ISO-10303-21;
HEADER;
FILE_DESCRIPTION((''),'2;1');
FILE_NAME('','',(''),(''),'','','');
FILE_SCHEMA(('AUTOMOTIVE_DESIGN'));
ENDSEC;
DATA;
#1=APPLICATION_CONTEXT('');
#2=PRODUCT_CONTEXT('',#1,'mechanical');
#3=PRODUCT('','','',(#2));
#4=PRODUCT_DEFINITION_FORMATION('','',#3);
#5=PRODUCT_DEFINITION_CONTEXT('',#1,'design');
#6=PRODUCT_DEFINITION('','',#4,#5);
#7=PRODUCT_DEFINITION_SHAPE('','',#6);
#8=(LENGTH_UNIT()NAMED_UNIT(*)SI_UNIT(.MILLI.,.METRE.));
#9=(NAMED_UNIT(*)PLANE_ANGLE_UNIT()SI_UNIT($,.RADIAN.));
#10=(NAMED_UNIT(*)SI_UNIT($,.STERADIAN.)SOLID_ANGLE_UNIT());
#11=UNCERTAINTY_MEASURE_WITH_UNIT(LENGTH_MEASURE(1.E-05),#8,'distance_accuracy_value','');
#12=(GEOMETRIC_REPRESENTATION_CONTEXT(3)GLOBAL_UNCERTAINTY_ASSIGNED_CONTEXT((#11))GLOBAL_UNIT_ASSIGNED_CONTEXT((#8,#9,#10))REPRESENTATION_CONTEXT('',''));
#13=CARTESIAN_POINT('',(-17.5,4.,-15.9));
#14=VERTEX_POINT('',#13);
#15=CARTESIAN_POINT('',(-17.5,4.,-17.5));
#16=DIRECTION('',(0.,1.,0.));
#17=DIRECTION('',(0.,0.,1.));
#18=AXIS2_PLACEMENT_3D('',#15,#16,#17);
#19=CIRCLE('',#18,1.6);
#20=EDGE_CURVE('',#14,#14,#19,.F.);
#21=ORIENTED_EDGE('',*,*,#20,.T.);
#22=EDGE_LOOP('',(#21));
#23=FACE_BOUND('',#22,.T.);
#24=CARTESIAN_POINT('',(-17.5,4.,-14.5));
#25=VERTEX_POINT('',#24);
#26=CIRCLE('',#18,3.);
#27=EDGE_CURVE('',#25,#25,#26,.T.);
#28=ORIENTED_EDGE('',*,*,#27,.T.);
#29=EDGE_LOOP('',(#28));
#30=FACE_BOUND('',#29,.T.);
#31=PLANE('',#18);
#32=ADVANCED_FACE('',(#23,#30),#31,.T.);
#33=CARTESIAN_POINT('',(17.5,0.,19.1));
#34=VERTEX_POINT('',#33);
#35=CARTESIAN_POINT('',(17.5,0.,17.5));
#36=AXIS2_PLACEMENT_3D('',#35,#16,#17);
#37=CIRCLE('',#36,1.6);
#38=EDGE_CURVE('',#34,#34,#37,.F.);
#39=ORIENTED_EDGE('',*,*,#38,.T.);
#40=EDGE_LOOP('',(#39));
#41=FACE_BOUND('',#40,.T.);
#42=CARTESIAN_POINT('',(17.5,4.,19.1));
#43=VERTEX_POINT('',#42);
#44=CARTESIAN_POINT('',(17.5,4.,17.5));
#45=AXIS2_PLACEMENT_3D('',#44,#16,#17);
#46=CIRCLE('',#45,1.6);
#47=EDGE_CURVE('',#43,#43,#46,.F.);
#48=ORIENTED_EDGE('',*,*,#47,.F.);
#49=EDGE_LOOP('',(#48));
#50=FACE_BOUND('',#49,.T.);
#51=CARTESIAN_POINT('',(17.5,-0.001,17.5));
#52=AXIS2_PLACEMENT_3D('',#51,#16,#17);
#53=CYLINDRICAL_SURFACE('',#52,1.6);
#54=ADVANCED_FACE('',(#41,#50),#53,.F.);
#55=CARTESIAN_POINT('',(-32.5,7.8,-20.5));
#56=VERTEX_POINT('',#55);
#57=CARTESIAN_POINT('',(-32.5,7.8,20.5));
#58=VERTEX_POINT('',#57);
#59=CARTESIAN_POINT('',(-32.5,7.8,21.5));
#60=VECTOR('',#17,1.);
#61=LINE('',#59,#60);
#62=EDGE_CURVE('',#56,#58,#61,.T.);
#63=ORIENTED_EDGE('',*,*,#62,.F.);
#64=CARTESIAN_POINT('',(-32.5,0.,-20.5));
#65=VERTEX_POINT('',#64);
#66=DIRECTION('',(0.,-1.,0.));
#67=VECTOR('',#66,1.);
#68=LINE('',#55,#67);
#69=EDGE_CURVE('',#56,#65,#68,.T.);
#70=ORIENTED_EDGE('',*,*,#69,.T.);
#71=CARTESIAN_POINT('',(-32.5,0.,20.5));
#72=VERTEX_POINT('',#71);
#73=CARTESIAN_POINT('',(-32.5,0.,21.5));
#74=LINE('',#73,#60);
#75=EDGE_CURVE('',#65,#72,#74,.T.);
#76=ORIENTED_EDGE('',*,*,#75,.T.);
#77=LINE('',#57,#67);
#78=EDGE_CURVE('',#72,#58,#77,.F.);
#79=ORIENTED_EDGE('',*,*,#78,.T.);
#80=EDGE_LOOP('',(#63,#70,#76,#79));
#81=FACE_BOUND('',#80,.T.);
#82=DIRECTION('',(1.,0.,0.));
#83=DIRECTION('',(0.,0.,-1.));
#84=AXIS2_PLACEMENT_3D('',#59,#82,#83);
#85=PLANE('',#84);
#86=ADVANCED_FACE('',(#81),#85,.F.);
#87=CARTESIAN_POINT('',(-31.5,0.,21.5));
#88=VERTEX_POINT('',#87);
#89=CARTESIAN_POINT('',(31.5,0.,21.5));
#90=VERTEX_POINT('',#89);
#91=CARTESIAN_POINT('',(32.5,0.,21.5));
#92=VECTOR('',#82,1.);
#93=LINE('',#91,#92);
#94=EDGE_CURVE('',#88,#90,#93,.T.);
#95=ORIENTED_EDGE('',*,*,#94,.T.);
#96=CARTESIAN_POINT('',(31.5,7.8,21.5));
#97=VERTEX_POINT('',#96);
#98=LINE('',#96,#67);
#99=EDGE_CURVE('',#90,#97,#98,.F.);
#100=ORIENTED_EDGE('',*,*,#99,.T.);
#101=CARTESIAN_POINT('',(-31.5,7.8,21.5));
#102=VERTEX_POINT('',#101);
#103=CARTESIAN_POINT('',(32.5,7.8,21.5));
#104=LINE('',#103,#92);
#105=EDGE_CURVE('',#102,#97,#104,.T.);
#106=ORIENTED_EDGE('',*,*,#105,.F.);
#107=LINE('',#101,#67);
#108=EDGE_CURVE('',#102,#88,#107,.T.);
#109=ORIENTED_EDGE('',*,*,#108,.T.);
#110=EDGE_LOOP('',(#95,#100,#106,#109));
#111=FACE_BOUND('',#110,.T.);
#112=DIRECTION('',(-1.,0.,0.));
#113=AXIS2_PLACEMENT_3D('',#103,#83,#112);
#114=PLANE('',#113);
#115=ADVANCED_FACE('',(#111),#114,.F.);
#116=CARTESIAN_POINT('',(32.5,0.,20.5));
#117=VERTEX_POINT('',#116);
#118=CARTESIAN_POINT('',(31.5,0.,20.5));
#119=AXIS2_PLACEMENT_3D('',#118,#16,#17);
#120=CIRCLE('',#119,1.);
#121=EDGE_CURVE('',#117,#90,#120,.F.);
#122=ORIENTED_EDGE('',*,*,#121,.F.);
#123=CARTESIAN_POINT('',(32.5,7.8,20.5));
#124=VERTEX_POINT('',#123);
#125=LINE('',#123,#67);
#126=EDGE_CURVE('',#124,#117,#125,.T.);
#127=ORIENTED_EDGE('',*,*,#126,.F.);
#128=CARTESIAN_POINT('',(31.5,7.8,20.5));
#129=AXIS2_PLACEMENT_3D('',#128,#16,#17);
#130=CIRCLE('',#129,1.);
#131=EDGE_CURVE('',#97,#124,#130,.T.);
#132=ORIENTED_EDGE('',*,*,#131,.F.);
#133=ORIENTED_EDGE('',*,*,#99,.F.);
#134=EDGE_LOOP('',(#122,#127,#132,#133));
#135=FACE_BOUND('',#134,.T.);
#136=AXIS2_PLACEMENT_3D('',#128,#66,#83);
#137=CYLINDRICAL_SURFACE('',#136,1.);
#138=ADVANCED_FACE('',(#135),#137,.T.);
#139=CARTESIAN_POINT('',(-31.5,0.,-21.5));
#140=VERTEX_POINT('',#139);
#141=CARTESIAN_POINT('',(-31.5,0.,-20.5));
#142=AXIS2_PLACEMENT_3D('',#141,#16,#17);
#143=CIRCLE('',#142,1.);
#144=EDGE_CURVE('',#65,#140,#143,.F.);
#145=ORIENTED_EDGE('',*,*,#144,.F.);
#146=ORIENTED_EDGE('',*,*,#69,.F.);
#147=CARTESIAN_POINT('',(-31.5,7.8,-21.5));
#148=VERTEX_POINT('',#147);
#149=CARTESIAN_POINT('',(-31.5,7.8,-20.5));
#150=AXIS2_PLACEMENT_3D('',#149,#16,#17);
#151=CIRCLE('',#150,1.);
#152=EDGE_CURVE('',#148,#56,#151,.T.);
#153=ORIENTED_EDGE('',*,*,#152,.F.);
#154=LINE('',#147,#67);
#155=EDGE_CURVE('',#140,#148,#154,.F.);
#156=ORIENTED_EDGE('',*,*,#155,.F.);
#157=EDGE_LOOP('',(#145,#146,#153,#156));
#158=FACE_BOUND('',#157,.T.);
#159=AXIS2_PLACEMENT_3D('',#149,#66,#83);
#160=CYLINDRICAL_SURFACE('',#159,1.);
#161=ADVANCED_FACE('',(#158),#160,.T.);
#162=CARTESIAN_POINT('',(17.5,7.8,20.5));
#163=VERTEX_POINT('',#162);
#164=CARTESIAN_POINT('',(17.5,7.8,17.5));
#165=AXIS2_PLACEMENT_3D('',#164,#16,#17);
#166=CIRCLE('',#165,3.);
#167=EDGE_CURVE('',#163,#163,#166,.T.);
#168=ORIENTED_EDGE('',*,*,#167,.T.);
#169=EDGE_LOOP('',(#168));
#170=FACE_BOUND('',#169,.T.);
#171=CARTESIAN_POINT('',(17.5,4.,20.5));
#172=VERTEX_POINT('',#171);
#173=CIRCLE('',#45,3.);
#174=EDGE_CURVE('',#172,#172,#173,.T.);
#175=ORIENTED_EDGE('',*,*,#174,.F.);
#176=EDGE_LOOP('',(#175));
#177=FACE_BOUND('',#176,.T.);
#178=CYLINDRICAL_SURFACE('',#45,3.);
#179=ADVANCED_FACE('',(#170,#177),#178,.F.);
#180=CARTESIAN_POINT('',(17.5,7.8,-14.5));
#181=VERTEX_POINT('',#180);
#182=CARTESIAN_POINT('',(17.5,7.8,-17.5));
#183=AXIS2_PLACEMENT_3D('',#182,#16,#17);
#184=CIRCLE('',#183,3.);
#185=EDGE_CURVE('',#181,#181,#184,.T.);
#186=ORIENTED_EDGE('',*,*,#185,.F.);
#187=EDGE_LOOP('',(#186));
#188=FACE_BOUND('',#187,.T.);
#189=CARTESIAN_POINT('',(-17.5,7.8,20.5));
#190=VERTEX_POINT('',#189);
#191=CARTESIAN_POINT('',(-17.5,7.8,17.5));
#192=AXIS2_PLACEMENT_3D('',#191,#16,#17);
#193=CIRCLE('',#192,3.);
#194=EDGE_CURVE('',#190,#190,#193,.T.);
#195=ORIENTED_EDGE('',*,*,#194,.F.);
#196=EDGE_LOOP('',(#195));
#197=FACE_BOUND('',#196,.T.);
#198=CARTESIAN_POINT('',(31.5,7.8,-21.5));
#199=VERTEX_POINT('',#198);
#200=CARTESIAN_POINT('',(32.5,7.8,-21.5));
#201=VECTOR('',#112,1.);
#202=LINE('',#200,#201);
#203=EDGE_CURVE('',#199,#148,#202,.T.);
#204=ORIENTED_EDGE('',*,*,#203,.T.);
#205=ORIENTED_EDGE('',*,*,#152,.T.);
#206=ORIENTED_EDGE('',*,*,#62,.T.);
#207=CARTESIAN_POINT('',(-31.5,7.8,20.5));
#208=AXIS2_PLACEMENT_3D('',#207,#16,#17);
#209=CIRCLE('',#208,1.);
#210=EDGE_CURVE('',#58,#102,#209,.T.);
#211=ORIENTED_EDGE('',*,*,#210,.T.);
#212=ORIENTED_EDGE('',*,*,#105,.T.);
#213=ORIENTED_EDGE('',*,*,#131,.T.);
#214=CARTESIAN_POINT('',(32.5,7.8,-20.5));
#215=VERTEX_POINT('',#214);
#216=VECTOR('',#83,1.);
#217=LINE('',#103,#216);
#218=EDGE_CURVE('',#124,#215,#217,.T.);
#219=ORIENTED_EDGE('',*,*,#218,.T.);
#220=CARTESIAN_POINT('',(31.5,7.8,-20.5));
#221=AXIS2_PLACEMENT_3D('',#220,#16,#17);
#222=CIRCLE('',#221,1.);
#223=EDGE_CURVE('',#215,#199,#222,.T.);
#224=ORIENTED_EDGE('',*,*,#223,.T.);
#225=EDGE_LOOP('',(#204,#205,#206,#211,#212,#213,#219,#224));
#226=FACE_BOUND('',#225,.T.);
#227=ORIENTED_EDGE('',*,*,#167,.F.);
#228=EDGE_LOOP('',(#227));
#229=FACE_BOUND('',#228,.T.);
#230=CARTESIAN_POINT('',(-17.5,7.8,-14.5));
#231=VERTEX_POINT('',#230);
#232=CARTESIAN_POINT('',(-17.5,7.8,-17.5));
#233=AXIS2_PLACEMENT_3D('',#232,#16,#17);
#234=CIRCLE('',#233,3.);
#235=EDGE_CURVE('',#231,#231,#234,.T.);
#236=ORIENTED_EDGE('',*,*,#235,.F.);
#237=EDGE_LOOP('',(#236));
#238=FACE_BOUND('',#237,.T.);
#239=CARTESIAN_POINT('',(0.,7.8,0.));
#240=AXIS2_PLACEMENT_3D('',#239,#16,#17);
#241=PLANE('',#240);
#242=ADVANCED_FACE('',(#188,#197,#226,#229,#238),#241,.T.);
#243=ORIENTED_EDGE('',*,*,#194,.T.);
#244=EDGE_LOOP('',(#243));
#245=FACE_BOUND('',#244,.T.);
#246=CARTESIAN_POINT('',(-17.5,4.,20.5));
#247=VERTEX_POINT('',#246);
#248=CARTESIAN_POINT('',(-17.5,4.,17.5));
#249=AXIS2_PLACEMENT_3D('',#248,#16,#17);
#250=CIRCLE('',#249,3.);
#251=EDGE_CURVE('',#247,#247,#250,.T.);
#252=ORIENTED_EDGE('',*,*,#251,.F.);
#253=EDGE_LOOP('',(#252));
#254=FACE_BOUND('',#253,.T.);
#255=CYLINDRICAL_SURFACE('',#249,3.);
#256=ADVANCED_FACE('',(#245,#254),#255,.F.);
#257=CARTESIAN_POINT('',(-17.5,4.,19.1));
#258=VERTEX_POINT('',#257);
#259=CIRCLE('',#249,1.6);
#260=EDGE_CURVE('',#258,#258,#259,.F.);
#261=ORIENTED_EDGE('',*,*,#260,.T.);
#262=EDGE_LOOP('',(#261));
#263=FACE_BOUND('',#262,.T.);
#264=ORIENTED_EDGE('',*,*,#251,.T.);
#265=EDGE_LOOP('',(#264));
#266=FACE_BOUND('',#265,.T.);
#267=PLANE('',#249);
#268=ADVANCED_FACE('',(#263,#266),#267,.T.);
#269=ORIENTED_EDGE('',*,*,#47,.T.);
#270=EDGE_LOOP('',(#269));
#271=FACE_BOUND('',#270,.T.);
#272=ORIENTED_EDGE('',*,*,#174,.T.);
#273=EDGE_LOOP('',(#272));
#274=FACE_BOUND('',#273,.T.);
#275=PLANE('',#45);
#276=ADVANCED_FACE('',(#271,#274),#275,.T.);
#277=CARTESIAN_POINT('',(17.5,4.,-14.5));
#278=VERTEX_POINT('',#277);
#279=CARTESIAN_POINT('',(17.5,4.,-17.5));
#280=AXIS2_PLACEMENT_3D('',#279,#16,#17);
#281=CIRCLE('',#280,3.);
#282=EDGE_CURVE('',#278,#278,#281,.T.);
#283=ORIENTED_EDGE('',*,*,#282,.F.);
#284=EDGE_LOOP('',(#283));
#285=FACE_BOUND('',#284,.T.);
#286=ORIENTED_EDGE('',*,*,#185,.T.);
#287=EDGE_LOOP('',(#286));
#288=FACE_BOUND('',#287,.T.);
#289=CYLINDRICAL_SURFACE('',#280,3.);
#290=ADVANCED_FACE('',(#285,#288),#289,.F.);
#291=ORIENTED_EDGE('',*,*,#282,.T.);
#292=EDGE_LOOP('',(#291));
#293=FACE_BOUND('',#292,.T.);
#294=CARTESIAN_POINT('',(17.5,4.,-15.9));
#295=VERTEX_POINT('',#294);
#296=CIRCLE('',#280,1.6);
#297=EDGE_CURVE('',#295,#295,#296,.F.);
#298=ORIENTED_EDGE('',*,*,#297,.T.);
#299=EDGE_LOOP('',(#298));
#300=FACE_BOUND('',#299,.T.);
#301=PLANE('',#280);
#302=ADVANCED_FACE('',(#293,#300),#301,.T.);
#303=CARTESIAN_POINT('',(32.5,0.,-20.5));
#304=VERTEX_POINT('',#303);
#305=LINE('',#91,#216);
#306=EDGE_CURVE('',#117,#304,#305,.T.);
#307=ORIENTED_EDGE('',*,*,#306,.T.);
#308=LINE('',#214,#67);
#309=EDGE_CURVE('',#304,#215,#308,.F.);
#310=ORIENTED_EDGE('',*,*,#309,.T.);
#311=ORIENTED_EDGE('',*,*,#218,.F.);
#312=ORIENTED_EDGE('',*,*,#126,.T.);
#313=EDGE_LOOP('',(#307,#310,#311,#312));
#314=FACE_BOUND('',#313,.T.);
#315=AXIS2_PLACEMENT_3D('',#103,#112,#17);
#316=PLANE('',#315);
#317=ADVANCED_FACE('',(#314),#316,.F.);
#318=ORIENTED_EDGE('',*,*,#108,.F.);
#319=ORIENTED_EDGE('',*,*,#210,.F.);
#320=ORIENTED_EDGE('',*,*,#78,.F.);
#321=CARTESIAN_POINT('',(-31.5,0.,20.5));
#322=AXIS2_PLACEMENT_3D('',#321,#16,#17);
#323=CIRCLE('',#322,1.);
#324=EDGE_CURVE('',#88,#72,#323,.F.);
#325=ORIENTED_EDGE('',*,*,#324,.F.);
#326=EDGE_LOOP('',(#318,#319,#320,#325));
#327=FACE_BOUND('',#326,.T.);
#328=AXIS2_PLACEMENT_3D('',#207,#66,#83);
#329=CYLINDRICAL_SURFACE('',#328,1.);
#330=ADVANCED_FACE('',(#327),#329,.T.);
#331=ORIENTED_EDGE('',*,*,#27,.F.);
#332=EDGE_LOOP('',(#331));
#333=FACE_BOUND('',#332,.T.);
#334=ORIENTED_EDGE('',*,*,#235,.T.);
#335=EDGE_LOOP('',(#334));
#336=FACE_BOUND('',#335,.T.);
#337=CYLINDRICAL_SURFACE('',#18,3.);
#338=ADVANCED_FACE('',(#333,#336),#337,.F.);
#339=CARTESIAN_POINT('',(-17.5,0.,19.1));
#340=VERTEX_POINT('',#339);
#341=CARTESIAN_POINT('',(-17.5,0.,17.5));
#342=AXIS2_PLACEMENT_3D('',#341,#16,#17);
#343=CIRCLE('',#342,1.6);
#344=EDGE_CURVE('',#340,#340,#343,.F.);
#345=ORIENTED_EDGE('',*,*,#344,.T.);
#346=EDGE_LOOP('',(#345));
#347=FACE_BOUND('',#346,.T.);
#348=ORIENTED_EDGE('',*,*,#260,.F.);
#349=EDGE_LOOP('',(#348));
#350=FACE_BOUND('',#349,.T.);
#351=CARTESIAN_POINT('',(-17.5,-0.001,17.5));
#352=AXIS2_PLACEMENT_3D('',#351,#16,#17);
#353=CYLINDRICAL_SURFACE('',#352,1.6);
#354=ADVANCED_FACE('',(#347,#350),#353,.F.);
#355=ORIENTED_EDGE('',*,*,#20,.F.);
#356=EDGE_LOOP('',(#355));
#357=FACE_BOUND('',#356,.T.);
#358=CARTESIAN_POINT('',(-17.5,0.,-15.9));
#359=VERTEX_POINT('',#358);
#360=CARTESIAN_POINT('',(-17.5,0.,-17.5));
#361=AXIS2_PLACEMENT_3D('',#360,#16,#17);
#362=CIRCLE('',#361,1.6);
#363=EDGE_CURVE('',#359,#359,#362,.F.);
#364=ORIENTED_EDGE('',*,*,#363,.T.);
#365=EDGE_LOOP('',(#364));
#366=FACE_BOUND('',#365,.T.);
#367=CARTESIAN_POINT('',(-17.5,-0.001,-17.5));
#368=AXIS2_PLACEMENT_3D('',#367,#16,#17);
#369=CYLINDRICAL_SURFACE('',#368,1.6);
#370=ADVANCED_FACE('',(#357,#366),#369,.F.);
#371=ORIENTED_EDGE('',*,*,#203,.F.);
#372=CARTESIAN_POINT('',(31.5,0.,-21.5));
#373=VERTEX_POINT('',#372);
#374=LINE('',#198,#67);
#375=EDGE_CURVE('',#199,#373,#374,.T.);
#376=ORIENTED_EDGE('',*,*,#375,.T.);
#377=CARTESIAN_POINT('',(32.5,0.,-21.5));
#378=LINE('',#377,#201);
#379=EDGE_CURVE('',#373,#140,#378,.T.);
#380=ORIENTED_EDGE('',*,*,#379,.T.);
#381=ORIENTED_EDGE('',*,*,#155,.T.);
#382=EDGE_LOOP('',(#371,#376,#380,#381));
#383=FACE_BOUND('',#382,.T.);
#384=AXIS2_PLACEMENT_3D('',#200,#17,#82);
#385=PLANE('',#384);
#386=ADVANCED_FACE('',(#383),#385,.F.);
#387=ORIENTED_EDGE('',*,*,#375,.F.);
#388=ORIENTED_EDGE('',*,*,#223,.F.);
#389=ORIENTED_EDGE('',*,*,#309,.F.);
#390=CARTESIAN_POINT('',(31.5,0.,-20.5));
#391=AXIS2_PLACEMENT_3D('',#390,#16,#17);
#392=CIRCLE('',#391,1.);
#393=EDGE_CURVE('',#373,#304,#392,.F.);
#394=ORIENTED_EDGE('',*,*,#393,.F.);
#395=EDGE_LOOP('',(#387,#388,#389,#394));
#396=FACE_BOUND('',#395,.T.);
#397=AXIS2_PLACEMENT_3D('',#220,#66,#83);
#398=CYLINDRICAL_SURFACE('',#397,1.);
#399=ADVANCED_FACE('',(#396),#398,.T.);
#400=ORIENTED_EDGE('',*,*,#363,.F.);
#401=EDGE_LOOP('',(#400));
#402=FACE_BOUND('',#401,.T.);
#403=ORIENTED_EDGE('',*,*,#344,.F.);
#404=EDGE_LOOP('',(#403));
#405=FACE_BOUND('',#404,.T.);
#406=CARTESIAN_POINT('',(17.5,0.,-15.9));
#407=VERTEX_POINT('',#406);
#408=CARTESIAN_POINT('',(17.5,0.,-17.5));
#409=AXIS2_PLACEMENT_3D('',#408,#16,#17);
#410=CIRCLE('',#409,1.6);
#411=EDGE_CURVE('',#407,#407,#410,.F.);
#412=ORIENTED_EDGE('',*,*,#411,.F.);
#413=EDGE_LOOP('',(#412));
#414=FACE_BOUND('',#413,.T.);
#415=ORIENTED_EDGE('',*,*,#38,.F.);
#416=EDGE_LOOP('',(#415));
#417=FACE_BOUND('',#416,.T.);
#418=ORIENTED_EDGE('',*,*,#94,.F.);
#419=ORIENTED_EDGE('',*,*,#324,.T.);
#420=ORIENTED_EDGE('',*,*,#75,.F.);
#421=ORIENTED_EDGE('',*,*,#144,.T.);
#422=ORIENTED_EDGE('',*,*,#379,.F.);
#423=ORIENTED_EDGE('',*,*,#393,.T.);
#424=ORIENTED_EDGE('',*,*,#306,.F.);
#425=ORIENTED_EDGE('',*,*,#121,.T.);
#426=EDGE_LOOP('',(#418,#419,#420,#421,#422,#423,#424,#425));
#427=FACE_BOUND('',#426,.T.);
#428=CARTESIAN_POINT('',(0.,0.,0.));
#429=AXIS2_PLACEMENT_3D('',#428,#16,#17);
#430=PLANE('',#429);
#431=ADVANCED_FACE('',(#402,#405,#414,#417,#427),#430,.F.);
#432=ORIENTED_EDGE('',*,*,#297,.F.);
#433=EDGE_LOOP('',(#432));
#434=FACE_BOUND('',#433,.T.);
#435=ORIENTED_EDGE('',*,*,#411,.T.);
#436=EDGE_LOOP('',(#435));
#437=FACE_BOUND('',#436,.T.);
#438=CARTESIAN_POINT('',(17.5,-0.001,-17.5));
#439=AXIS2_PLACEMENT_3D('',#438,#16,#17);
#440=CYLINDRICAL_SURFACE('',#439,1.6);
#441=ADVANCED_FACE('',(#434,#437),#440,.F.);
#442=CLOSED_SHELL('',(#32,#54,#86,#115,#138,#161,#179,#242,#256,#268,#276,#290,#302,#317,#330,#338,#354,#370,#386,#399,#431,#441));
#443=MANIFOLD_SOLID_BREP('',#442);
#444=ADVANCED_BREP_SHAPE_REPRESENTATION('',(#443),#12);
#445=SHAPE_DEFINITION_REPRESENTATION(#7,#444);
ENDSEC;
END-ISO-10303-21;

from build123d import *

# Parameters (mm, degrees)
SKETCH2_W           = 65
SKETCH2_H           = 43
BOSS_EXTRUDE1_DEPTH = 7.8
FILLET1_R           = 1
CUT_EXTRUDE1_REACH  = 9.8
SKETCH3_R           = 1.6
SKETCH4_R           = 3
CUT_EXTRUDE2_DEPTH  = 3.8


with BuildPart() as part:
    # Sketch2 → Boss-Extrude1 (new body)
    with BuildSketch(Plane(origin=(0, 0, 0), x_dir=(1, 0, 0), z_dir=(0, 1, 0))):
        Rectangle(SKETCH2_W, SKETCH2_H)
    extrude(amount=BOSS_EXTRUDE1_DEPTH)

    # Fillet1
    fillet1_edges = [part.edges().sort_by_distance(p)[0] for p in [
        (-32.5, 3.9, -21.5),
        (32.5, 3.9, -21.5),
        (32.5, 3.9, 21.5),
        (-32.5, 3.9, 21.5),
    ]]
    fillet(fillet1_edges, radius=FILLET1_R)

    # Sketch3 → Cut-Extrude1 (cut, up to next)
    with BuildSketch(Plane(origin=(0, 7.8, 0), x_dir=(1, 0, 0), z_dir=(0, 1, 0)), mode=Mode.PRIVATE) as cut_extrude1_sk1:
        with Locations((-17.5, 17.5)):
            Circle(SKETCH3_R)
    cut_extrude1_tool1 = extrude(cut_extrude1_sk1.sketch, amount=-CUT_EXTRUDE1_REACH, mode=Mode.PRIVATE) & part.part
    add(cut_extrude1_tool1.solids().sort_by_distance((-17.5, 7.8, -17.5))[0], mode=Mode.SUBTRACT)
    # Sketch3 → Cut-Extrude1 (cut, up to next)
    with BuildSketch(Plane(origin=(0, 7.8, 0), x_dir=(1, 0, 0), z_dir=(0, 1, 0)), mode=Mode.PRIVATE) as cut_extrude1_sk2:
        with Locations((17.5, 17.5)):
            Circle(SKETCH3_R)
    cut_extrude1_tool2 = extrude(cut_extrude1_sk2.sketch, amount=-CUT_EXTRUDE1_REACH, mode=Mode.PRIVATE) & part.part
    add(cut_extrude1_tool2.solids().sort_by_distance((17.5, 7.8, -17.5))[0], mode=Mode.SUBTRACT)
    # Sketch3 → Cut-Extrude1 (cut, up to next)
    with BuildSketch(Plane(origin=(0, 7.8, 0), x_dir=(1, 0, 0), z_dir=(0, 1, 0)), mode=Mode.PRIVATE) as cut_extrude1_sk3:
        with Locations((17.5, -17.5)):
            Circle(SKETCH3_R)
    cut_extrude1_tool3 = extrude(cut_extrude1_sk3.sketch, amount=-CUT_EXTRUDE1_REACH, mode=Mode.PRIVATE) & part.part
    add(cut_extrude1_tool3.solids().sort_by_distance((17.5, 7.8, 17.5))[0], mode=Mode.SUBTRACT)
    # Sketch3 → Cut-Extrude1 (cut, up to next)
    with BuildSketch(Plane(origin=(0, 7.8, 0), x_dir=(1, 0, 0), z_dir=(0, 1, 0)), mode=Mode.PRIVATE) as cut_extrude1_sk4:
        with Locations((-17.5, -17.5)):
            Circle(SKETCH3_R)
    cut_extrude1_tool4 = extrude(cut_extrude1_sk4.sketch, amount=-CUT_EXTRUDE1_REACH, mode=Mode.PRIVATE) & part.part
    add(cut_extrude1_tool4.solids().sort_by_distance((-17.5, 7.8, 17.5))[0], mode=Mode.SUBTRACT)

    # Sketch4 → Cut-Extrude2 (cut)
    with BuildSketch(Plane(origin=(0, 7.8, 0), x_dir=(1, 0, 0), z_dir=(0, 1, 0))):
        with Locations((-17.5, 17.5)):
            Circle(SKETCH4_R)
        with Locations((17.5, 17.5)):
            Circle(SKETCH4_R)
        with Locations((17.5, -17.5)):
            Circle(SKETCH4_R)
        with Locations((-17.5, -17.5)):
            Circle(SKETCH4_R)
    extrude(amount=-CUT_EXTRUDE2_DEPTH, mode=Mode.SUBTRACT)


solid = part.part
